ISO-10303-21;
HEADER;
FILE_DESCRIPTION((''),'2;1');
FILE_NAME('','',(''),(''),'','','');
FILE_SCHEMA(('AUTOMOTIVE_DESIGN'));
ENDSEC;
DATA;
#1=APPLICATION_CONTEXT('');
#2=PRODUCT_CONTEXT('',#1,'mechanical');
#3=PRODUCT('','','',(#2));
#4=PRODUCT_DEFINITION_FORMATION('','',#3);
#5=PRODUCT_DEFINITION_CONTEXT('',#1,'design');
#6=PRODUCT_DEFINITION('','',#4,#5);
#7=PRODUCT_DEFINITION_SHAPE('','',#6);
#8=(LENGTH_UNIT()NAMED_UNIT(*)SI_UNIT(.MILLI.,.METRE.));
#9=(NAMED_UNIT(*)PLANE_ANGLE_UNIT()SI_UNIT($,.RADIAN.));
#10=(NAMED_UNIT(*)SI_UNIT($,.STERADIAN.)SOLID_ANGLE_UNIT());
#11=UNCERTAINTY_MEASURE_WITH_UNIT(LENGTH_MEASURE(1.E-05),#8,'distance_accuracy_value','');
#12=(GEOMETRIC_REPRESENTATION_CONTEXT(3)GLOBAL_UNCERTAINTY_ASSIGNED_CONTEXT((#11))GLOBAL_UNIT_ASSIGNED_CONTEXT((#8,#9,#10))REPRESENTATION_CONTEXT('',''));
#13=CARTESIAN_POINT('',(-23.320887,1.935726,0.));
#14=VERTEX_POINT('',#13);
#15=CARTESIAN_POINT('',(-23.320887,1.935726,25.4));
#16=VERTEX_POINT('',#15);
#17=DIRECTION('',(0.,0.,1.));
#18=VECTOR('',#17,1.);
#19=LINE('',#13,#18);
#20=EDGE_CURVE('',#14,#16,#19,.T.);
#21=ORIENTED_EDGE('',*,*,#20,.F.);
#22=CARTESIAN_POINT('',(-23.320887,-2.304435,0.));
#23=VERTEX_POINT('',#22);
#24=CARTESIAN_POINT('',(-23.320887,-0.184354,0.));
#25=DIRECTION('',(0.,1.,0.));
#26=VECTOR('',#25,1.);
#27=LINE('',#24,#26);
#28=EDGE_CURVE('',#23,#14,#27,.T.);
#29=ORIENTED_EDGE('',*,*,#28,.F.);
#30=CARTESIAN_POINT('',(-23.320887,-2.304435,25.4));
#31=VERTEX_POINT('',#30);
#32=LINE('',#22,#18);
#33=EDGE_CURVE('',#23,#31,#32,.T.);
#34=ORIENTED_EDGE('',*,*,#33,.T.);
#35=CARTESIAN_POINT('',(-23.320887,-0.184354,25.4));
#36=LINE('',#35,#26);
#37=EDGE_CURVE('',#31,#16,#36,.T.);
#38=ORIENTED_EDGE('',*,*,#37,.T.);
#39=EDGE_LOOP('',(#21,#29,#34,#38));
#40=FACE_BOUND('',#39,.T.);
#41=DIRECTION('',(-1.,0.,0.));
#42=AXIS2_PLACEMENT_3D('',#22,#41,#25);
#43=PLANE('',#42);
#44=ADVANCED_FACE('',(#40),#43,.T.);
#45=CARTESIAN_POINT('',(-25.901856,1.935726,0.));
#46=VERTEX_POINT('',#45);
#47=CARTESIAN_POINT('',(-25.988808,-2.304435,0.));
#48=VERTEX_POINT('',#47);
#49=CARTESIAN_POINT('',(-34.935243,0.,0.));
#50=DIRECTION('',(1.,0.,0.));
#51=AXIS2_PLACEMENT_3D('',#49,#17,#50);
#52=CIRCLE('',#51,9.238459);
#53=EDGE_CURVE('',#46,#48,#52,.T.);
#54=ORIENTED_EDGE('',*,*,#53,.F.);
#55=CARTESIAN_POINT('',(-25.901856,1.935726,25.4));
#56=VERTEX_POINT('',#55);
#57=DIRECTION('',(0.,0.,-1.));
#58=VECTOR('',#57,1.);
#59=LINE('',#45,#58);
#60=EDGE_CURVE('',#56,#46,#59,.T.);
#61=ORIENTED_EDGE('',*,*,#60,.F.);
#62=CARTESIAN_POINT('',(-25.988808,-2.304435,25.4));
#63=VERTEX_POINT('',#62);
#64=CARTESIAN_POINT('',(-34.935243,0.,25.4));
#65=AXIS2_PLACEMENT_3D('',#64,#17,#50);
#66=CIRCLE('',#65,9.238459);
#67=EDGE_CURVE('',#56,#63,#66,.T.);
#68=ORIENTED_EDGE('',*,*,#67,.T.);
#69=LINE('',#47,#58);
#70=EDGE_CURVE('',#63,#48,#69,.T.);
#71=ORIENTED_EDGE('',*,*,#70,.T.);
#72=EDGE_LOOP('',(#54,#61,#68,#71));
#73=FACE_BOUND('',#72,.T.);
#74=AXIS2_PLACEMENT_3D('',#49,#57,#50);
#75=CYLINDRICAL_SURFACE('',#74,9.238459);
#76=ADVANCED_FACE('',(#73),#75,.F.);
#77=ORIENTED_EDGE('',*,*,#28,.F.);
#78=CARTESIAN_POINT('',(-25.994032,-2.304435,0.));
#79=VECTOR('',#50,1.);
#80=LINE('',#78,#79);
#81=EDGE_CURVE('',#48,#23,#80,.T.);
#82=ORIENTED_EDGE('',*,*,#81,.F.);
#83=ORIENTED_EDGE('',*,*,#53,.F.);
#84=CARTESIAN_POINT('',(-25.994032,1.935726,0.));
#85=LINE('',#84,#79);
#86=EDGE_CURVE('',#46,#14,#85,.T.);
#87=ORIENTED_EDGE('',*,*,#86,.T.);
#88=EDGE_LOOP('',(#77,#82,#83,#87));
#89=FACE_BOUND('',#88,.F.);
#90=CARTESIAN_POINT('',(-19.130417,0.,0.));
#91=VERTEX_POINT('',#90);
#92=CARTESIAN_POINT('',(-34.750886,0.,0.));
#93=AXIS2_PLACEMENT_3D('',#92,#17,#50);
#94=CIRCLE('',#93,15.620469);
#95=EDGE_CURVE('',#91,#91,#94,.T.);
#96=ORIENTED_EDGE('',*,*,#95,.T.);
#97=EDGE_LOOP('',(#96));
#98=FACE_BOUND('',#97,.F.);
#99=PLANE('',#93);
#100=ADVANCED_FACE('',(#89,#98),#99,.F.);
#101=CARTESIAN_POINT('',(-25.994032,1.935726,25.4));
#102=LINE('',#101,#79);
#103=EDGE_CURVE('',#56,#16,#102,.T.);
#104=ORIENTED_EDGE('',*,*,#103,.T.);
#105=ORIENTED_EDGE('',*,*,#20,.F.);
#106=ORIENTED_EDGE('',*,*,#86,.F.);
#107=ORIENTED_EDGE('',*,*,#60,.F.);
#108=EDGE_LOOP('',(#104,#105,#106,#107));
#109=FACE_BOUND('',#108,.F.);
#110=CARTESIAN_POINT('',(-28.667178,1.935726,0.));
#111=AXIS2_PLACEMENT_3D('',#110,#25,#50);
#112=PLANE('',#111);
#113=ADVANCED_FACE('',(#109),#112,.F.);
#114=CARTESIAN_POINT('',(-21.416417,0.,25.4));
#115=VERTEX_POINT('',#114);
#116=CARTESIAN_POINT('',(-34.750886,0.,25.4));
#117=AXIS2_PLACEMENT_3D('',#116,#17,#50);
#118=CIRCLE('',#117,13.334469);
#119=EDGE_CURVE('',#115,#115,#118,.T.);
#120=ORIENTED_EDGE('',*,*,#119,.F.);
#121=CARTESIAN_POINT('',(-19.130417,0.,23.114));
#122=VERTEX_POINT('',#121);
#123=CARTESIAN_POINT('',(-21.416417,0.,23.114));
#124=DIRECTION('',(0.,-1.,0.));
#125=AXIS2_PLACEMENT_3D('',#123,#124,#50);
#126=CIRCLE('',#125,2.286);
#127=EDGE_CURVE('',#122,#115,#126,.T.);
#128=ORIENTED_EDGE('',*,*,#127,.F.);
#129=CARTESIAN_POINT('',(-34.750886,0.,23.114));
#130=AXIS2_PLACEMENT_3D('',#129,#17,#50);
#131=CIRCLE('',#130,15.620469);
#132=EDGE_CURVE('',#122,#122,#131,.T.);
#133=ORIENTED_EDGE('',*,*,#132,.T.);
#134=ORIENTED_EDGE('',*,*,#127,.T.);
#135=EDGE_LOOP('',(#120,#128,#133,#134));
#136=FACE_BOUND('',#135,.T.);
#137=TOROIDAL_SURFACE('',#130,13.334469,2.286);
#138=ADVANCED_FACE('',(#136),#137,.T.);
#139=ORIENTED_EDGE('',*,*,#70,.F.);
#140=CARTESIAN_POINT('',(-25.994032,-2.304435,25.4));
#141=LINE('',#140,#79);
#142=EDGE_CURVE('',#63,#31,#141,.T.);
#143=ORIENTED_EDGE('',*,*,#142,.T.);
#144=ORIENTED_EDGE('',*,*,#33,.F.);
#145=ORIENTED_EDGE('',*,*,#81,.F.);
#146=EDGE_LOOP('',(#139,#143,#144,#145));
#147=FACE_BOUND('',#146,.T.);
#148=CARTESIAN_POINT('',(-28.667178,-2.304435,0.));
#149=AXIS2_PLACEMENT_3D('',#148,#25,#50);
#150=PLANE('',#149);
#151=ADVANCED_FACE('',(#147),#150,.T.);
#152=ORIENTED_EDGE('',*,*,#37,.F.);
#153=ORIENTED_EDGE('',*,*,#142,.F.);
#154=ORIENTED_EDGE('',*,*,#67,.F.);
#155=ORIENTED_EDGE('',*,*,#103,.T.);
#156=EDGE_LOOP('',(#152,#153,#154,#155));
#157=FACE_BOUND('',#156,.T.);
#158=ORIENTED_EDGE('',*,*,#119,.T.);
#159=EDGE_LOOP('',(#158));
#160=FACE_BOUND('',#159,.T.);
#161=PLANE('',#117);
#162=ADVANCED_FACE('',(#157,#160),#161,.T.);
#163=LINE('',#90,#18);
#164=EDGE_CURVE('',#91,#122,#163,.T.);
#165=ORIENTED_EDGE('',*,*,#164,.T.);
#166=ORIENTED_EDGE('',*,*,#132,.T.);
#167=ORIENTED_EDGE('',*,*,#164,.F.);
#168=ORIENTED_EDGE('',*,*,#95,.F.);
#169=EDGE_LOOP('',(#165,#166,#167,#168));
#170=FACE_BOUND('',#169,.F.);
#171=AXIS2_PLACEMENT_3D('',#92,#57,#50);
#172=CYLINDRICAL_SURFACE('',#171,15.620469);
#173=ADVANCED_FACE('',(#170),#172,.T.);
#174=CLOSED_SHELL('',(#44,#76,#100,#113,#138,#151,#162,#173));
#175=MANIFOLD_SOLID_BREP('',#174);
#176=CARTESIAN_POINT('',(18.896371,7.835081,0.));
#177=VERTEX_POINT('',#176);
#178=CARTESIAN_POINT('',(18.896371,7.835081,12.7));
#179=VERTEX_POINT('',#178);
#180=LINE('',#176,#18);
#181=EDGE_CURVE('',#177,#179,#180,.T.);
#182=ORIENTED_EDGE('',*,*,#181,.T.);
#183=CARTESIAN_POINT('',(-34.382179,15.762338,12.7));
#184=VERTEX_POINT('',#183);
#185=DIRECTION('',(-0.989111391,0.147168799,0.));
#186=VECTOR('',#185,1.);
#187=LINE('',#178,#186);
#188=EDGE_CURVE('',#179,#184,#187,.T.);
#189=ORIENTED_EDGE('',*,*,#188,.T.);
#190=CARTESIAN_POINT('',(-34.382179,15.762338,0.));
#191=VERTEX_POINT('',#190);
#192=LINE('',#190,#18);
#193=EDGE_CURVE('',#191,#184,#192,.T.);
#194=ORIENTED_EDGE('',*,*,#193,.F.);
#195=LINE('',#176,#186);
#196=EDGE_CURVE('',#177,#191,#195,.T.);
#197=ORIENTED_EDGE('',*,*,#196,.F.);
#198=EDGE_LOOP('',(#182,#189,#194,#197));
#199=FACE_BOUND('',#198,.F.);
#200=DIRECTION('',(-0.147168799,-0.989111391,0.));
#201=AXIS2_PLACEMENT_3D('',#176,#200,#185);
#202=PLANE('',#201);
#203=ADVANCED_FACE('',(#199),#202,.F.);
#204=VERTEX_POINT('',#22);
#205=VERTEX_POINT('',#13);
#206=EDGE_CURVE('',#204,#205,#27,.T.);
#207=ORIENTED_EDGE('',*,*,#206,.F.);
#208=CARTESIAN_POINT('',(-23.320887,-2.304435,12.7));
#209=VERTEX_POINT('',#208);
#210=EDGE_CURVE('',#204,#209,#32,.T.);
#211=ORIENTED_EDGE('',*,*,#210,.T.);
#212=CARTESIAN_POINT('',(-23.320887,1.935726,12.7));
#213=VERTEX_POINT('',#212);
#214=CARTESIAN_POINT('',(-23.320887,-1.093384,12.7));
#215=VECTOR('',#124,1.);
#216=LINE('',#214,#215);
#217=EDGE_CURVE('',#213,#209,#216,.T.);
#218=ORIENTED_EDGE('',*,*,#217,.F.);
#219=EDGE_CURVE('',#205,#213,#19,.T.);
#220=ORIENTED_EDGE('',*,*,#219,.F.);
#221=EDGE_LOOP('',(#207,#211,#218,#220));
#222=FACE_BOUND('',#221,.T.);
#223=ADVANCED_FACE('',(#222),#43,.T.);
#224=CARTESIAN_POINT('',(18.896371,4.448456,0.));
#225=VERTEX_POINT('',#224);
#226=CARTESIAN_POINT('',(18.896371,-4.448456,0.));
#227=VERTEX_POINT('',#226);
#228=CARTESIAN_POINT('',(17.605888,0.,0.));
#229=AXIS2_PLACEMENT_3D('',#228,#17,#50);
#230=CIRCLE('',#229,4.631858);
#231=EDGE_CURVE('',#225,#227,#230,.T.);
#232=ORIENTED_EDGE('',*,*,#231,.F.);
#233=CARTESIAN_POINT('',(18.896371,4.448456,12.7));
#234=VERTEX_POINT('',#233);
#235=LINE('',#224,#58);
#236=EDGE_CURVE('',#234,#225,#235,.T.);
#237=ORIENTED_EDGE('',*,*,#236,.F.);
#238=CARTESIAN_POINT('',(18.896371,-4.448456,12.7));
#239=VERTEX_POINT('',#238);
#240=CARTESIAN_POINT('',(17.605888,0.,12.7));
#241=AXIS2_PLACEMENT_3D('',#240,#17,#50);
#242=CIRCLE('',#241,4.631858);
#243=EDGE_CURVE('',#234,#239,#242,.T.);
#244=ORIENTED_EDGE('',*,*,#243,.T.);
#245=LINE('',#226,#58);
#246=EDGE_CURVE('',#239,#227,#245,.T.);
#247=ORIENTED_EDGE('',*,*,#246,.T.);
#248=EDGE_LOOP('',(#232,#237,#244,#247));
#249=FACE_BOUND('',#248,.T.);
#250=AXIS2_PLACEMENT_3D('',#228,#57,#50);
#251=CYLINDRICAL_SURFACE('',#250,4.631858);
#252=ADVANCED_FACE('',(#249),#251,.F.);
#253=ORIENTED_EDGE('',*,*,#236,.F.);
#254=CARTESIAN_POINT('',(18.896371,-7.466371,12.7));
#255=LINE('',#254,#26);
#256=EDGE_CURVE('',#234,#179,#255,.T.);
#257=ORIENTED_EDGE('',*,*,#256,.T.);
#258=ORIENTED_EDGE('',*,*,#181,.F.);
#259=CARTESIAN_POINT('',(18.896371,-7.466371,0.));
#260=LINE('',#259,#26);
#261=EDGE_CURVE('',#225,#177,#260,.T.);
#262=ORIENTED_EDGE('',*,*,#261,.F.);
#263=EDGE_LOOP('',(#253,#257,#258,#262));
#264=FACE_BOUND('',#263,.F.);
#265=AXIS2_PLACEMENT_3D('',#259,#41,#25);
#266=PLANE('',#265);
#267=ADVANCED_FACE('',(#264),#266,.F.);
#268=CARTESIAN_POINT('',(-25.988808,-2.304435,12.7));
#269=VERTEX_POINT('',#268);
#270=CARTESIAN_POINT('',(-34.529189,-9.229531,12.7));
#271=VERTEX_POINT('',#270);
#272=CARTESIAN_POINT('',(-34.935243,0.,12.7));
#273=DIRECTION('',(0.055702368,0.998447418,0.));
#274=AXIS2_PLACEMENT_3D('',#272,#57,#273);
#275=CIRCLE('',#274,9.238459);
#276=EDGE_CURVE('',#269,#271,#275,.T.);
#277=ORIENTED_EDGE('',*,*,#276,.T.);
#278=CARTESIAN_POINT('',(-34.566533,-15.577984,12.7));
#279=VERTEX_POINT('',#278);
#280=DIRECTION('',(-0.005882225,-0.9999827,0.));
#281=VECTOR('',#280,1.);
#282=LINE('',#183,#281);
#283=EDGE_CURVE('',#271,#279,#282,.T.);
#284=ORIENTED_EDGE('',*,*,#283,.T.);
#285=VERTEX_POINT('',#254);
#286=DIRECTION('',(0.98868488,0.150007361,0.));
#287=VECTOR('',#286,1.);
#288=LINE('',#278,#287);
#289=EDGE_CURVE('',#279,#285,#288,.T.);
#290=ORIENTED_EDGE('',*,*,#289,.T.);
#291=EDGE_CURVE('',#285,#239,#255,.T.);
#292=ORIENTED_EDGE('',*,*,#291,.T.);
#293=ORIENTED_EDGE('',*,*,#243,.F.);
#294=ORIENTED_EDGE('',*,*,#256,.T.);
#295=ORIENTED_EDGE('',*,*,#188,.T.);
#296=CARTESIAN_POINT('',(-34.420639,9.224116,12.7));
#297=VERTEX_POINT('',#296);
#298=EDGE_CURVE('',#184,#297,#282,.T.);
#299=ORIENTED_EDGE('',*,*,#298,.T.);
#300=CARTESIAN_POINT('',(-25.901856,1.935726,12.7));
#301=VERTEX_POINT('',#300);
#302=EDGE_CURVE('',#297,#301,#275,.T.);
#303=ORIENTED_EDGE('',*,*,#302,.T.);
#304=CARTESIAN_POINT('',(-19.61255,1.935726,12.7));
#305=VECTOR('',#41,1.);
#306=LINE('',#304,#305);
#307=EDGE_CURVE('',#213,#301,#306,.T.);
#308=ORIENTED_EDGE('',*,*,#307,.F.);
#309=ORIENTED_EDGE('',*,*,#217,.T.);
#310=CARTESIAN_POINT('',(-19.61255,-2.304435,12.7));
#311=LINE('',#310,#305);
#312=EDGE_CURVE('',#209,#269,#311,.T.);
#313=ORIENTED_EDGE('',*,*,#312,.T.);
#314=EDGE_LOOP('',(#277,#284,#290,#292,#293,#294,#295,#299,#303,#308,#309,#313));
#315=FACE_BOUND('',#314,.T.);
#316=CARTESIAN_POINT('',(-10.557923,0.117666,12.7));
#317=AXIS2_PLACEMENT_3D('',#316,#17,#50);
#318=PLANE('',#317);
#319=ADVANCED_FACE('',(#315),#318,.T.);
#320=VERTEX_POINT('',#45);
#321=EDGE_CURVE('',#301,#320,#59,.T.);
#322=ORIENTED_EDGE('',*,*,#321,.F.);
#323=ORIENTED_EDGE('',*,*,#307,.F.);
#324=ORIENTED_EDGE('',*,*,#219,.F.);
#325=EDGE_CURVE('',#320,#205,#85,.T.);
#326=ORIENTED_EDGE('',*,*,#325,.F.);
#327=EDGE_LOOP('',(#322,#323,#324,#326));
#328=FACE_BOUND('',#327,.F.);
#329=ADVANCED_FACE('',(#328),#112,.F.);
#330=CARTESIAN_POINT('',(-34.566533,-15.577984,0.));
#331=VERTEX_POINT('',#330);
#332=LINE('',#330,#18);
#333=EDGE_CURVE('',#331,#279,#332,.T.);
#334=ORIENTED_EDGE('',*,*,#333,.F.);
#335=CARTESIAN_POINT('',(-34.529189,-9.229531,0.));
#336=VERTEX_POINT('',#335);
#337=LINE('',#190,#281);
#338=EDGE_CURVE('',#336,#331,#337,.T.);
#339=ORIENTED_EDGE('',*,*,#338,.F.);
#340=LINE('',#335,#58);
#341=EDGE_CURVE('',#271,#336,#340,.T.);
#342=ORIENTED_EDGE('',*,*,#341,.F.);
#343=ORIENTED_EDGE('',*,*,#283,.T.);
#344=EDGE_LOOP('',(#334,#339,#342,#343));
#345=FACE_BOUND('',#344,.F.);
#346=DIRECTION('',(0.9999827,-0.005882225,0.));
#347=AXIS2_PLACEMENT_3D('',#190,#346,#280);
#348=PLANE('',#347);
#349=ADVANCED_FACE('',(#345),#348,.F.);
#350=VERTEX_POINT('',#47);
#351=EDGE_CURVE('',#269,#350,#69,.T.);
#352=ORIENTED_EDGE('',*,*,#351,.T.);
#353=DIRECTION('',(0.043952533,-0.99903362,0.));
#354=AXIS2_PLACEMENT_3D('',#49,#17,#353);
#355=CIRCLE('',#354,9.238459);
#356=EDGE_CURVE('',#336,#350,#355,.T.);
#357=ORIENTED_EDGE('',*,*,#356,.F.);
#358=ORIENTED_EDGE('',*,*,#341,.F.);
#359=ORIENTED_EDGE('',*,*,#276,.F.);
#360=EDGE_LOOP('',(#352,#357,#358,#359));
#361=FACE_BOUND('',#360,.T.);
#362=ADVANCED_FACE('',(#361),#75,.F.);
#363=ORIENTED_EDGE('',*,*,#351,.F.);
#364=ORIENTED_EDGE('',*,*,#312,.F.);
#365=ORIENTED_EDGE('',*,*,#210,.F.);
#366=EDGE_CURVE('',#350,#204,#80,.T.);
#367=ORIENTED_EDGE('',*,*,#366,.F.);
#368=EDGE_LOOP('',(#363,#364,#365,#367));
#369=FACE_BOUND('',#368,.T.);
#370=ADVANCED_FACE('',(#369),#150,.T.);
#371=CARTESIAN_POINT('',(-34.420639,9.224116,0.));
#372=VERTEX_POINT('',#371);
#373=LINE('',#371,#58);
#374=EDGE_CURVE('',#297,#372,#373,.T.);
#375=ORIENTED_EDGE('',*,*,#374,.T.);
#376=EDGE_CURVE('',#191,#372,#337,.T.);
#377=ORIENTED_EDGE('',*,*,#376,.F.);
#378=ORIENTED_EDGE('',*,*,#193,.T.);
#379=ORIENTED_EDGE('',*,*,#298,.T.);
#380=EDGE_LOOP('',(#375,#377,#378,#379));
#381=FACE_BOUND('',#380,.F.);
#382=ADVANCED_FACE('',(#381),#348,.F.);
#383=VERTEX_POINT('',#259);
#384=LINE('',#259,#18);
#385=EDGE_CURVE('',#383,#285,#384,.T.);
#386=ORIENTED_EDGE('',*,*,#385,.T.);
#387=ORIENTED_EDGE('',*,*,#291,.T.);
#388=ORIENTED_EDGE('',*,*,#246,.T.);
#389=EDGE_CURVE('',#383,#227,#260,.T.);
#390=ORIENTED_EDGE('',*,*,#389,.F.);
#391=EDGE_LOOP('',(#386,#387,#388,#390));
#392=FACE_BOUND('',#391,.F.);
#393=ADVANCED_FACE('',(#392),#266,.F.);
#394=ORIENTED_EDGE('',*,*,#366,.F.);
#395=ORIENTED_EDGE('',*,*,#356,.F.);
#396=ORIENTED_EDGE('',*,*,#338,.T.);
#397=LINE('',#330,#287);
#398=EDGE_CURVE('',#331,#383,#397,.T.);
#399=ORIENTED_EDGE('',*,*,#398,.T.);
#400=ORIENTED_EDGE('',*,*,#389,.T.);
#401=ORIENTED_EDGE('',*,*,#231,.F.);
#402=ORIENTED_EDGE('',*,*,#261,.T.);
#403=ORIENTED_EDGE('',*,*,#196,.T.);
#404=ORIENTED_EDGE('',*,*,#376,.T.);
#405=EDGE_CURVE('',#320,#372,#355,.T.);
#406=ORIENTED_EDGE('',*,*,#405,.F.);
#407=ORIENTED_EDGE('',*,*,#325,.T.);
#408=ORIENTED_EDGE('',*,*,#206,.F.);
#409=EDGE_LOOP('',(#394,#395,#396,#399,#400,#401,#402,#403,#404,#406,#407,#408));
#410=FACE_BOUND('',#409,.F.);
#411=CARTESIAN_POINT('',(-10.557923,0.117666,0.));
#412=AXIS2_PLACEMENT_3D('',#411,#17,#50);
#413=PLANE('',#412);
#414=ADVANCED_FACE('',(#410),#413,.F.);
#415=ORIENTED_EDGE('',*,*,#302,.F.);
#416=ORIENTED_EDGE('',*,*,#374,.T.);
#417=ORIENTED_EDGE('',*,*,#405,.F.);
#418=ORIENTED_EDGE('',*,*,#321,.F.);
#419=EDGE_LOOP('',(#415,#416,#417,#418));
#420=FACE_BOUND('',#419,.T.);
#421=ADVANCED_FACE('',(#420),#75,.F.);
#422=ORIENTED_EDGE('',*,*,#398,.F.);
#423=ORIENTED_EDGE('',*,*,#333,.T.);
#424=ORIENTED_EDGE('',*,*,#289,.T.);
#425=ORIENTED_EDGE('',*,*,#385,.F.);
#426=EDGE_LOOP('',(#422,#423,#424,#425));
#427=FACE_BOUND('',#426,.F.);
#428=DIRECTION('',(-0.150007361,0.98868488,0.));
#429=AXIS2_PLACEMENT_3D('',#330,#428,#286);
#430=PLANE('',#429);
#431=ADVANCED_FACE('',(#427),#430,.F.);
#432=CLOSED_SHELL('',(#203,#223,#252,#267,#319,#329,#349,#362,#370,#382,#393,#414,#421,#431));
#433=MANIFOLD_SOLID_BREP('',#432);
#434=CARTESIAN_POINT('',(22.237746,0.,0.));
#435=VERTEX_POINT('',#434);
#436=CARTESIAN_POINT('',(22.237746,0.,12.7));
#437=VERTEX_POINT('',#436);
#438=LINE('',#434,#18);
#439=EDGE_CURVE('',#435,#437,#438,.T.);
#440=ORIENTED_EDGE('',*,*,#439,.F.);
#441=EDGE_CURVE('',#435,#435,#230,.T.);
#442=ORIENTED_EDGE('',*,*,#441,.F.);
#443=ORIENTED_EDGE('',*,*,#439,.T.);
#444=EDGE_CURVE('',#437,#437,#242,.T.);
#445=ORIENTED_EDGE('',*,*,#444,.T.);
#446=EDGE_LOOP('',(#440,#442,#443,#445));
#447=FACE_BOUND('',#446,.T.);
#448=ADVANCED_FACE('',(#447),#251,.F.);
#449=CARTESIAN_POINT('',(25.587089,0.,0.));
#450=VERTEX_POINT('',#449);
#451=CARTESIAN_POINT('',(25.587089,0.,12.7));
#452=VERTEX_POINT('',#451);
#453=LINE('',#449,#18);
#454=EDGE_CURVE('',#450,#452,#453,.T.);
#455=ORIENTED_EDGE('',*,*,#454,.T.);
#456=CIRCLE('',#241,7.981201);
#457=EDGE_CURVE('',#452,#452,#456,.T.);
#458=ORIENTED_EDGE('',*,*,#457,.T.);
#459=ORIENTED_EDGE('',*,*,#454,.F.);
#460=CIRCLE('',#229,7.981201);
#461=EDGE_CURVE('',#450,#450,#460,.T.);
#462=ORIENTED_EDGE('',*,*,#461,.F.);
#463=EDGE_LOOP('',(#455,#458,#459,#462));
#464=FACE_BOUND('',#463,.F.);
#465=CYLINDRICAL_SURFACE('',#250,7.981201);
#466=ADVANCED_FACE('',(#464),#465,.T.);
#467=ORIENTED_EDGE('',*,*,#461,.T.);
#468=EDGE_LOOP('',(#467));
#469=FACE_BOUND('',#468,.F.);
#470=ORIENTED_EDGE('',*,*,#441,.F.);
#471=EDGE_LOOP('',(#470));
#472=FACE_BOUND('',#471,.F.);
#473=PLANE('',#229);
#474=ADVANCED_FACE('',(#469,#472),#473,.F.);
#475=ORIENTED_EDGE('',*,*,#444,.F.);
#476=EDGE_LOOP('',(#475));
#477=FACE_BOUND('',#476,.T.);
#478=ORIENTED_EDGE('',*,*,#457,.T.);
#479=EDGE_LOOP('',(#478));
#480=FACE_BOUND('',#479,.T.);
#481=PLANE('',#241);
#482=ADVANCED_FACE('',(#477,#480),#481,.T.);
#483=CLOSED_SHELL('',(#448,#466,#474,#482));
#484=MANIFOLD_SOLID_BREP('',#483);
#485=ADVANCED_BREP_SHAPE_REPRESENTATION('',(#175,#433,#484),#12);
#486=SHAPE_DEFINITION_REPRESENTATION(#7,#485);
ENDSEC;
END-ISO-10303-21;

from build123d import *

# Parameters (mm, degrees)
F0_R      = 15.620469
F2_DEPTH  = 25.4
F0_R_2    = 7.981201
F3_DEPTH  = 12.7
F4_DEPTH  = 12.7
F5_R      = 4.631858
F6_DEPTH  = 12.7
F7_R      = 9.238459
F8_DEPTH  = 25.4
F9_W      = 5.346291
F9_H      = 4.240161
F10_DEPTH = 25.4
F11_R     = 2.286


with BuildPart() as f2:
    # F0 (on Top) → F2 (new body)
    with BuildSketch(Plane.XY):
        with Locations((-34.750886, 0)):
            Circle(F0_R)
    extrude(amount=F2_DEPTH)


with BuildPart() as f3:
    # F0 (on Top) → F3 (new body)
    with BuildSketch(Plane.XY):
        with Locations((17.605888, 0)):
            Circle(F0_R_2)
    extrude(amount=F3_DEPTH)


with BuildPart() as f4:
    # F1 (on Top) → F4 (new body)
    with BuildSketch(Plane.XY):
        Polygon((18.896371, 7.835081), (-34.382179, 15.762338), (-34.566533, -15.577984), (18.896371, -7.466371), align=None)
    extrude(amount=F4_DEPTH)


with BuildPart() as f6_tool:
    # F5 (on Top) → F6 (new body)
    with BuildSketch(Plane.XY):
        with Locations((17.605888, 0)):
            Circle(F5_R)
    extrude(amount=F6_DEPTH)


with BuildPart() as f3_1:
    add(f3.part)

    # F6: cut by f6_tool
    add(f6_tool.part, mode=Mode.SUBTRACT)


with BuildPart() as f4_1:
    add(f4.part)

    # F6: cut by f6_tool
    add(f6_tool.part, mode=Mode.SUBTRACT)


with BuildPart() as f8_tool:
    # F7 (on Top) → F8 (new body)
    with BuildSketch(Plane.XY):
        with Locations((-34.935243, 0)):
            Circle(F7_R)
    extrude(amount=F8_DEPTH)


with BuildPart() as f2_1:
    add(f2.part)

    # F8: cut by f8_tool
    add(f8_tool.part, mode=Mode.SUBTRACT)


with BuildPart() as f4_2:
    add(f4_1.part)

    # F8: cut by f8_tool
    add(f8_tool.part, mode=Mode.SUBTRACT)


with BuildPart() as f10_tool:
    # F9 (on Top) → F10 (new body)
    with BuildSketch(Plane.XY):
        with Locations((-25.994032, -0.184354)):
            Rectangle(F9_W, F9_H)
    extrude(amount=F10_DEPTH)


with BuildPart() as f2_2:
    add(f2_1.part)

    # F10: cut by f10_tool
    add(f10_tool.part, mode=Mode.SUBTRACT)

    # F11
    f11_edges = [f2_2.edges().sort_by_distance(p)[0] for p in [
        (-50.371355, 0, 25.4),
    ]]
    fillet(f11_edges, radius=F11_R)


with BuildPart() as f4_3:
    add(f4_2.part)

    # F10: cut by f10_tool
    add(f10_tool.part, mode=Mode.SUBTRACT)


solid = Compound([f3_1.part, f2_2.part, f4_3.part])
